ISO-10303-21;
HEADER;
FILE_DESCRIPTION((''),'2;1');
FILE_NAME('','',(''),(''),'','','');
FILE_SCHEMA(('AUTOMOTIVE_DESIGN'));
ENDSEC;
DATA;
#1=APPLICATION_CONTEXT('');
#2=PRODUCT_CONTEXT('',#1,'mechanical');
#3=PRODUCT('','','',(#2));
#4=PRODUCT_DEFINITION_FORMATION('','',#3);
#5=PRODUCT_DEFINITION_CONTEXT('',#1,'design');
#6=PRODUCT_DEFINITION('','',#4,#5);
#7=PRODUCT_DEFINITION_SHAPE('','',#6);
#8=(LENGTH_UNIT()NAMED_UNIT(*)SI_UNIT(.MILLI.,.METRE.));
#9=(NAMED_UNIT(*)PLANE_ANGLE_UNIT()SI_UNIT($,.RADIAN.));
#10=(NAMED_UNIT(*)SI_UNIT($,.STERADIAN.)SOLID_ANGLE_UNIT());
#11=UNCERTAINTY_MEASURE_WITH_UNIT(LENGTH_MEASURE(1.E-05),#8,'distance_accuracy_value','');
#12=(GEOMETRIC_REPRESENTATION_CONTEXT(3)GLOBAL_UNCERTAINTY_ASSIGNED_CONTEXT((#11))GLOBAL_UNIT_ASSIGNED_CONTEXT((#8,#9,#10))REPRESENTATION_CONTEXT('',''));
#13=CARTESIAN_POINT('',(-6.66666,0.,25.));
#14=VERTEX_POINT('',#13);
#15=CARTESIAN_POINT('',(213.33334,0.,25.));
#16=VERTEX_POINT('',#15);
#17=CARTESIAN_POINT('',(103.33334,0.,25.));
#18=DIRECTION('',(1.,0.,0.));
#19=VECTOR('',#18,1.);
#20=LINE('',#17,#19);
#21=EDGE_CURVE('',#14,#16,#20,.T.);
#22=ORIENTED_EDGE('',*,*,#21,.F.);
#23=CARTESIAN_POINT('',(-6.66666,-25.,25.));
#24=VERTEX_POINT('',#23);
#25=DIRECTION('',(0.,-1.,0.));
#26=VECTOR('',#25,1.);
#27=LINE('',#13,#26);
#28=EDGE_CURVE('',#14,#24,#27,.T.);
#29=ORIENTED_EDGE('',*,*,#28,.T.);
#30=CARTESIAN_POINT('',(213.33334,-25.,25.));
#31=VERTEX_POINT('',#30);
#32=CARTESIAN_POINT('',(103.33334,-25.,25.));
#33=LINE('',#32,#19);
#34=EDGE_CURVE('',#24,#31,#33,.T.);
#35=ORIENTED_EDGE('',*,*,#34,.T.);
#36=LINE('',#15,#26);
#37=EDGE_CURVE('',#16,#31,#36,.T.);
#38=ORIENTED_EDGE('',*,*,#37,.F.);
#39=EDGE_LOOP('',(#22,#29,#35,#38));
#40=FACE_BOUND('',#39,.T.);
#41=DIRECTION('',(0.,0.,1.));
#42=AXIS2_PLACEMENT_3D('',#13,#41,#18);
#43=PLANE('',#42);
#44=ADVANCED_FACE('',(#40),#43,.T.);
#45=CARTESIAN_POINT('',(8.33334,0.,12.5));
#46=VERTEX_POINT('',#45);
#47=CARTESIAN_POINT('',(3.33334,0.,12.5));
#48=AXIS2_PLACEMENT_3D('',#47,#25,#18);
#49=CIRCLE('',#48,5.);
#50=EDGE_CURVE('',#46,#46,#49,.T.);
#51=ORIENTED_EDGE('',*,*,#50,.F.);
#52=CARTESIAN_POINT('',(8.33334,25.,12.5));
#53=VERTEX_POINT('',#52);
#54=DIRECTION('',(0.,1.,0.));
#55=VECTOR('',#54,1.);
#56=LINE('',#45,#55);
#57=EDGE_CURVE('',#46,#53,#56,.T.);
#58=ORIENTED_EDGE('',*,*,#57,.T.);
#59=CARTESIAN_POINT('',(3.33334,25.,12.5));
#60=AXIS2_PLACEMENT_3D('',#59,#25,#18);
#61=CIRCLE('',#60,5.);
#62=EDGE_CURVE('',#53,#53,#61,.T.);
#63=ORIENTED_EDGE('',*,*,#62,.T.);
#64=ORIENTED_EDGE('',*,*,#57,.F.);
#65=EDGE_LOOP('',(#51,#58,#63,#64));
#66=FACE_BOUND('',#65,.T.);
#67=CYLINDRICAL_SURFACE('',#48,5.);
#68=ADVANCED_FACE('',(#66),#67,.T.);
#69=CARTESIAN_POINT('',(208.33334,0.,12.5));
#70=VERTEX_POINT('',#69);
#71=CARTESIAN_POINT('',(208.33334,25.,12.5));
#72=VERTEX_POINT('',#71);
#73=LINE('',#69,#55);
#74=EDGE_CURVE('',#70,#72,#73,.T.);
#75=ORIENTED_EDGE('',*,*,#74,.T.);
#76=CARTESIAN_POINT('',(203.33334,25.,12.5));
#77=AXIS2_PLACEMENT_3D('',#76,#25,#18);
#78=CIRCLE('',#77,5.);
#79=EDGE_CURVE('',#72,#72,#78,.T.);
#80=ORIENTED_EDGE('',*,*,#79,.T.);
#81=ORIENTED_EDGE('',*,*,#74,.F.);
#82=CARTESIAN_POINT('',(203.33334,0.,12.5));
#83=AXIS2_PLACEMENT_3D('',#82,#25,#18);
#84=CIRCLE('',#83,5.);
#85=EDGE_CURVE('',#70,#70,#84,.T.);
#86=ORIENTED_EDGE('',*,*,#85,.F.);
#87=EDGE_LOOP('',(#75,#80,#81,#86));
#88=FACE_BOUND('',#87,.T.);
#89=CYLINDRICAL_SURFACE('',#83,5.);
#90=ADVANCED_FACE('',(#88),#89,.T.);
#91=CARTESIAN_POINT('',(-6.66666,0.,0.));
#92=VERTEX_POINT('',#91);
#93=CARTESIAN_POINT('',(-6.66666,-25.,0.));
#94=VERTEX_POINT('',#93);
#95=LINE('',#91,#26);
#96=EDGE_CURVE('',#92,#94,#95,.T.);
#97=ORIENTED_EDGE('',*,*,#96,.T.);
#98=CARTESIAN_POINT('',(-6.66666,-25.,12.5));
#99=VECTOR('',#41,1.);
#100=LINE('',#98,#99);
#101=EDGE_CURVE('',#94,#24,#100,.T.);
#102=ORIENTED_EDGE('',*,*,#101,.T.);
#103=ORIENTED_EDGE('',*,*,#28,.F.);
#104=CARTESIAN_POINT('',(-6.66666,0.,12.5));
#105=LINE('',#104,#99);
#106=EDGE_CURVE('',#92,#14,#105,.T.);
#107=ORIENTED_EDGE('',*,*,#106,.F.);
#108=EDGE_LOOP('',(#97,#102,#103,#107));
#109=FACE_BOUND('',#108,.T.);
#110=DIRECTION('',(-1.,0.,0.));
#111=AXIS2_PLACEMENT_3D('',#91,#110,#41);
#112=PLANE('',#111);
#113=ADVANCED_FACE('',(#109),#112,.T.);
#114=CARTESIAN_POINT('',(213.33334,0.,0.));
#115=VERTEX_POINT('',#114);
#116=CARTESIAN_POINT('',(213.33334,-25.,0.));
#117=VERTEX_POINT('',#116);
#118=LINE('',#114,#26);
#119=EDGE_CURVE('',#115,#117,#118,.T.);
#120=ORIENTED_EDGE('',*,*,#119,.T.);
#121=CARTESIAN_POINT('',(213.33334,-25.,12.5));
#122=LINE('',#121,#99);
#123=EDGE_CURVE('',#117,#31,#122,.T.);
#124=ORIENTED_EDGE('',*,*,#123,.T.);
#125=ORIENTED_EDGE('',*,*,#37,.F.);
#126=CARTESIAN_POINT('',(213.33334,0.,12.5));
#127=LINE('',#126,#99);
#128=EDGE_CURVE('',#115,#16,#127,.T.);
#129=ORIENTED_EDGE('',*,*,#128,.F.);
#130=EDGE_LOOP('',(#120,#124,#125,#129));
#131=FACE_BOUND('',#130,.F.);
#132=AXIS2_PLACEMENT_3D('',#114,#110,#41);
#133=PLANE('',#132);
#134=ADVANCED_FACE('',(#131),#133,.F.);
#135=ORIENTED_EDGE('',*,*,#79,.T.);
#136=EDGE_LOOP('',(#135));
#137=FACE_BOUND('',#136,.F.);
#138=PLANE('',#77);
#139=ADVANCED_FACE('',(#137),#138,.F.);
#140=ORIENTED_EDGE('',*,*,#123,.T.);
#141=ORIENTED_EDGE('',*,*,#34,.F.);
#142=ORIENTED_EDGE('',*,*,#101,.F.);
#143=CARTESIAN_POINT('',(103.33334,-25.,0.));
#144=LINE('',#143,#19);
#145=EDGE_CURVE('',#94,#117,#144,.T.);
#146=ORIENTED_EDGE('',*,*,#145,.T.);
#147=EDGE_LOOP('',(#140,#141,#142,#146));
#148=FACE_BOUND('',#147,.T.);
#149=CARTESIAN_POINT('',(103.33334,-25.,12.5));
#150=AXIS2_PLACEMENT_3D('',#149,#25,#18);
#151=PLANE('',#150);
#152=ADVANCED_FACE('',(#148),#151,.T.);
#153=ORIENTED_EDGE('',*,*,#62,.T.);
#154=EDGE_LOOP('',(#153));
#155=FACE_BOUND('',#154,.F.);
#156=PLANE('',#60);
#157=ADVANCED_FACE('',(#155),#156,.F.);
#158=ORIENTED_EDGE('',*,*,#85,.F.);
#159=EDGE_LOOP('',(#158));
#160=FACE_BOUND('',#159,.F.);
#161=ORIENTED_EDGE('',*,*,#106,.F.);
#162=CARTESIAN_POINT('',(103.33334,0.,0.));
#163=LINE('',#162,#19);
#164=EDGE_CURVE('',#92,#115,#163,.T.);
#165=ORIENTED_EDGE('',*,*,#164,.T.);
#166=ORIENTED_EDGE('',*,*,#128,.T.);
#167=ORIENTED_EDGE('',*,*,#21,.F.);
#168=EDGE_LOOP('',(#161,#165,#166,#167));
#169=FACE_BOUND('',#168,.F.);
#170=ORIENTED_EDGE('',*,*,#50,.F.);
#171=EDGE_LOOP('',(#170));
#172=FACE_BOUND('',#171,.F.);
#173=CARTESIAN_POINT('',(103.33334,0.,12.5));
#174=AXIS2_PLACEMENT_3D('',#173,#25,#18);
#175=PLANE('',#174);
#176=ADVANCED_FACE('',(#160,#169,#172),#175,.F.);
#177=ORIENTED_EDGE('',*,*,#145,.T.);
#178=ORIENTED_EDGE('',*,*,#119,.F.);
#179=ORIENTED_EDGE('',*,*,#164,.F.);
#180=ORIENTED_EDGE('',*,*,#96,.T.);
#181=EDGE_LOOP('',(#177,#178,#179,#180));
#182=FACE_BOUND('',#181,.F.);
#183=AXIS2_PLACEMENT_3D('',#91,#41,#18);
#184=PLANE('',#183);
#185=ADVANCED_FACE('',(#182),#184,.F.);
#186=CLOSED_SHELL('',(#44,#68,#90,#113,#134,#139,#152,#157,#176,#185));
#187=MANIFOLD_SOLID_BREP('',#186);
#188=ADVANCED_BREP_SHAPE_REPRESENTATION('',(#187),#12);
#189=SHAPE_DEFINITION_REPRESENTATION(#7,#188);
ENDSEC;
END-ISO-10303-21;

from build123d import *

# Parameters (mm, degrees)
F0_W     = 220
F0_H     = 25
F0_R     = 5
F1_DEPTH = 25
F2_DEPTH = 25


with BuildPart() as f1:
    # F0 (on Front) → F1 (new body)
    with BuildSketch(Plane.XZ):
        with Locations((103.33334, 12.5)):
            Rectangle(F0_W, F0_H)
        with Locations((3.33334, 12.5)):
            Circle(F0_R, mode=Mode.SUBTRACT)
        with Locations((203.33334, 12.5)):
            Circle(F0_R, mode=Mode.SUBTRACT)
        with Locations((3.33334, 12.5)):
            Circle(F0_R)
        with Locations((203.33334, 12.5)):
            Circle(F0_R)
    extrude(amount=F1_DEPTH)

    # F0 (on Front) → F2 (join)
    with BuildSketch(Plane.XZ):
        with Locations((3.33334, 12.5)):
            Circle(F0_R)
        with Locations((203.33334, 12.5)):
            Circle(F0_R)
    extrude(amount=-F2_DEPTH)


solid = f1.part
